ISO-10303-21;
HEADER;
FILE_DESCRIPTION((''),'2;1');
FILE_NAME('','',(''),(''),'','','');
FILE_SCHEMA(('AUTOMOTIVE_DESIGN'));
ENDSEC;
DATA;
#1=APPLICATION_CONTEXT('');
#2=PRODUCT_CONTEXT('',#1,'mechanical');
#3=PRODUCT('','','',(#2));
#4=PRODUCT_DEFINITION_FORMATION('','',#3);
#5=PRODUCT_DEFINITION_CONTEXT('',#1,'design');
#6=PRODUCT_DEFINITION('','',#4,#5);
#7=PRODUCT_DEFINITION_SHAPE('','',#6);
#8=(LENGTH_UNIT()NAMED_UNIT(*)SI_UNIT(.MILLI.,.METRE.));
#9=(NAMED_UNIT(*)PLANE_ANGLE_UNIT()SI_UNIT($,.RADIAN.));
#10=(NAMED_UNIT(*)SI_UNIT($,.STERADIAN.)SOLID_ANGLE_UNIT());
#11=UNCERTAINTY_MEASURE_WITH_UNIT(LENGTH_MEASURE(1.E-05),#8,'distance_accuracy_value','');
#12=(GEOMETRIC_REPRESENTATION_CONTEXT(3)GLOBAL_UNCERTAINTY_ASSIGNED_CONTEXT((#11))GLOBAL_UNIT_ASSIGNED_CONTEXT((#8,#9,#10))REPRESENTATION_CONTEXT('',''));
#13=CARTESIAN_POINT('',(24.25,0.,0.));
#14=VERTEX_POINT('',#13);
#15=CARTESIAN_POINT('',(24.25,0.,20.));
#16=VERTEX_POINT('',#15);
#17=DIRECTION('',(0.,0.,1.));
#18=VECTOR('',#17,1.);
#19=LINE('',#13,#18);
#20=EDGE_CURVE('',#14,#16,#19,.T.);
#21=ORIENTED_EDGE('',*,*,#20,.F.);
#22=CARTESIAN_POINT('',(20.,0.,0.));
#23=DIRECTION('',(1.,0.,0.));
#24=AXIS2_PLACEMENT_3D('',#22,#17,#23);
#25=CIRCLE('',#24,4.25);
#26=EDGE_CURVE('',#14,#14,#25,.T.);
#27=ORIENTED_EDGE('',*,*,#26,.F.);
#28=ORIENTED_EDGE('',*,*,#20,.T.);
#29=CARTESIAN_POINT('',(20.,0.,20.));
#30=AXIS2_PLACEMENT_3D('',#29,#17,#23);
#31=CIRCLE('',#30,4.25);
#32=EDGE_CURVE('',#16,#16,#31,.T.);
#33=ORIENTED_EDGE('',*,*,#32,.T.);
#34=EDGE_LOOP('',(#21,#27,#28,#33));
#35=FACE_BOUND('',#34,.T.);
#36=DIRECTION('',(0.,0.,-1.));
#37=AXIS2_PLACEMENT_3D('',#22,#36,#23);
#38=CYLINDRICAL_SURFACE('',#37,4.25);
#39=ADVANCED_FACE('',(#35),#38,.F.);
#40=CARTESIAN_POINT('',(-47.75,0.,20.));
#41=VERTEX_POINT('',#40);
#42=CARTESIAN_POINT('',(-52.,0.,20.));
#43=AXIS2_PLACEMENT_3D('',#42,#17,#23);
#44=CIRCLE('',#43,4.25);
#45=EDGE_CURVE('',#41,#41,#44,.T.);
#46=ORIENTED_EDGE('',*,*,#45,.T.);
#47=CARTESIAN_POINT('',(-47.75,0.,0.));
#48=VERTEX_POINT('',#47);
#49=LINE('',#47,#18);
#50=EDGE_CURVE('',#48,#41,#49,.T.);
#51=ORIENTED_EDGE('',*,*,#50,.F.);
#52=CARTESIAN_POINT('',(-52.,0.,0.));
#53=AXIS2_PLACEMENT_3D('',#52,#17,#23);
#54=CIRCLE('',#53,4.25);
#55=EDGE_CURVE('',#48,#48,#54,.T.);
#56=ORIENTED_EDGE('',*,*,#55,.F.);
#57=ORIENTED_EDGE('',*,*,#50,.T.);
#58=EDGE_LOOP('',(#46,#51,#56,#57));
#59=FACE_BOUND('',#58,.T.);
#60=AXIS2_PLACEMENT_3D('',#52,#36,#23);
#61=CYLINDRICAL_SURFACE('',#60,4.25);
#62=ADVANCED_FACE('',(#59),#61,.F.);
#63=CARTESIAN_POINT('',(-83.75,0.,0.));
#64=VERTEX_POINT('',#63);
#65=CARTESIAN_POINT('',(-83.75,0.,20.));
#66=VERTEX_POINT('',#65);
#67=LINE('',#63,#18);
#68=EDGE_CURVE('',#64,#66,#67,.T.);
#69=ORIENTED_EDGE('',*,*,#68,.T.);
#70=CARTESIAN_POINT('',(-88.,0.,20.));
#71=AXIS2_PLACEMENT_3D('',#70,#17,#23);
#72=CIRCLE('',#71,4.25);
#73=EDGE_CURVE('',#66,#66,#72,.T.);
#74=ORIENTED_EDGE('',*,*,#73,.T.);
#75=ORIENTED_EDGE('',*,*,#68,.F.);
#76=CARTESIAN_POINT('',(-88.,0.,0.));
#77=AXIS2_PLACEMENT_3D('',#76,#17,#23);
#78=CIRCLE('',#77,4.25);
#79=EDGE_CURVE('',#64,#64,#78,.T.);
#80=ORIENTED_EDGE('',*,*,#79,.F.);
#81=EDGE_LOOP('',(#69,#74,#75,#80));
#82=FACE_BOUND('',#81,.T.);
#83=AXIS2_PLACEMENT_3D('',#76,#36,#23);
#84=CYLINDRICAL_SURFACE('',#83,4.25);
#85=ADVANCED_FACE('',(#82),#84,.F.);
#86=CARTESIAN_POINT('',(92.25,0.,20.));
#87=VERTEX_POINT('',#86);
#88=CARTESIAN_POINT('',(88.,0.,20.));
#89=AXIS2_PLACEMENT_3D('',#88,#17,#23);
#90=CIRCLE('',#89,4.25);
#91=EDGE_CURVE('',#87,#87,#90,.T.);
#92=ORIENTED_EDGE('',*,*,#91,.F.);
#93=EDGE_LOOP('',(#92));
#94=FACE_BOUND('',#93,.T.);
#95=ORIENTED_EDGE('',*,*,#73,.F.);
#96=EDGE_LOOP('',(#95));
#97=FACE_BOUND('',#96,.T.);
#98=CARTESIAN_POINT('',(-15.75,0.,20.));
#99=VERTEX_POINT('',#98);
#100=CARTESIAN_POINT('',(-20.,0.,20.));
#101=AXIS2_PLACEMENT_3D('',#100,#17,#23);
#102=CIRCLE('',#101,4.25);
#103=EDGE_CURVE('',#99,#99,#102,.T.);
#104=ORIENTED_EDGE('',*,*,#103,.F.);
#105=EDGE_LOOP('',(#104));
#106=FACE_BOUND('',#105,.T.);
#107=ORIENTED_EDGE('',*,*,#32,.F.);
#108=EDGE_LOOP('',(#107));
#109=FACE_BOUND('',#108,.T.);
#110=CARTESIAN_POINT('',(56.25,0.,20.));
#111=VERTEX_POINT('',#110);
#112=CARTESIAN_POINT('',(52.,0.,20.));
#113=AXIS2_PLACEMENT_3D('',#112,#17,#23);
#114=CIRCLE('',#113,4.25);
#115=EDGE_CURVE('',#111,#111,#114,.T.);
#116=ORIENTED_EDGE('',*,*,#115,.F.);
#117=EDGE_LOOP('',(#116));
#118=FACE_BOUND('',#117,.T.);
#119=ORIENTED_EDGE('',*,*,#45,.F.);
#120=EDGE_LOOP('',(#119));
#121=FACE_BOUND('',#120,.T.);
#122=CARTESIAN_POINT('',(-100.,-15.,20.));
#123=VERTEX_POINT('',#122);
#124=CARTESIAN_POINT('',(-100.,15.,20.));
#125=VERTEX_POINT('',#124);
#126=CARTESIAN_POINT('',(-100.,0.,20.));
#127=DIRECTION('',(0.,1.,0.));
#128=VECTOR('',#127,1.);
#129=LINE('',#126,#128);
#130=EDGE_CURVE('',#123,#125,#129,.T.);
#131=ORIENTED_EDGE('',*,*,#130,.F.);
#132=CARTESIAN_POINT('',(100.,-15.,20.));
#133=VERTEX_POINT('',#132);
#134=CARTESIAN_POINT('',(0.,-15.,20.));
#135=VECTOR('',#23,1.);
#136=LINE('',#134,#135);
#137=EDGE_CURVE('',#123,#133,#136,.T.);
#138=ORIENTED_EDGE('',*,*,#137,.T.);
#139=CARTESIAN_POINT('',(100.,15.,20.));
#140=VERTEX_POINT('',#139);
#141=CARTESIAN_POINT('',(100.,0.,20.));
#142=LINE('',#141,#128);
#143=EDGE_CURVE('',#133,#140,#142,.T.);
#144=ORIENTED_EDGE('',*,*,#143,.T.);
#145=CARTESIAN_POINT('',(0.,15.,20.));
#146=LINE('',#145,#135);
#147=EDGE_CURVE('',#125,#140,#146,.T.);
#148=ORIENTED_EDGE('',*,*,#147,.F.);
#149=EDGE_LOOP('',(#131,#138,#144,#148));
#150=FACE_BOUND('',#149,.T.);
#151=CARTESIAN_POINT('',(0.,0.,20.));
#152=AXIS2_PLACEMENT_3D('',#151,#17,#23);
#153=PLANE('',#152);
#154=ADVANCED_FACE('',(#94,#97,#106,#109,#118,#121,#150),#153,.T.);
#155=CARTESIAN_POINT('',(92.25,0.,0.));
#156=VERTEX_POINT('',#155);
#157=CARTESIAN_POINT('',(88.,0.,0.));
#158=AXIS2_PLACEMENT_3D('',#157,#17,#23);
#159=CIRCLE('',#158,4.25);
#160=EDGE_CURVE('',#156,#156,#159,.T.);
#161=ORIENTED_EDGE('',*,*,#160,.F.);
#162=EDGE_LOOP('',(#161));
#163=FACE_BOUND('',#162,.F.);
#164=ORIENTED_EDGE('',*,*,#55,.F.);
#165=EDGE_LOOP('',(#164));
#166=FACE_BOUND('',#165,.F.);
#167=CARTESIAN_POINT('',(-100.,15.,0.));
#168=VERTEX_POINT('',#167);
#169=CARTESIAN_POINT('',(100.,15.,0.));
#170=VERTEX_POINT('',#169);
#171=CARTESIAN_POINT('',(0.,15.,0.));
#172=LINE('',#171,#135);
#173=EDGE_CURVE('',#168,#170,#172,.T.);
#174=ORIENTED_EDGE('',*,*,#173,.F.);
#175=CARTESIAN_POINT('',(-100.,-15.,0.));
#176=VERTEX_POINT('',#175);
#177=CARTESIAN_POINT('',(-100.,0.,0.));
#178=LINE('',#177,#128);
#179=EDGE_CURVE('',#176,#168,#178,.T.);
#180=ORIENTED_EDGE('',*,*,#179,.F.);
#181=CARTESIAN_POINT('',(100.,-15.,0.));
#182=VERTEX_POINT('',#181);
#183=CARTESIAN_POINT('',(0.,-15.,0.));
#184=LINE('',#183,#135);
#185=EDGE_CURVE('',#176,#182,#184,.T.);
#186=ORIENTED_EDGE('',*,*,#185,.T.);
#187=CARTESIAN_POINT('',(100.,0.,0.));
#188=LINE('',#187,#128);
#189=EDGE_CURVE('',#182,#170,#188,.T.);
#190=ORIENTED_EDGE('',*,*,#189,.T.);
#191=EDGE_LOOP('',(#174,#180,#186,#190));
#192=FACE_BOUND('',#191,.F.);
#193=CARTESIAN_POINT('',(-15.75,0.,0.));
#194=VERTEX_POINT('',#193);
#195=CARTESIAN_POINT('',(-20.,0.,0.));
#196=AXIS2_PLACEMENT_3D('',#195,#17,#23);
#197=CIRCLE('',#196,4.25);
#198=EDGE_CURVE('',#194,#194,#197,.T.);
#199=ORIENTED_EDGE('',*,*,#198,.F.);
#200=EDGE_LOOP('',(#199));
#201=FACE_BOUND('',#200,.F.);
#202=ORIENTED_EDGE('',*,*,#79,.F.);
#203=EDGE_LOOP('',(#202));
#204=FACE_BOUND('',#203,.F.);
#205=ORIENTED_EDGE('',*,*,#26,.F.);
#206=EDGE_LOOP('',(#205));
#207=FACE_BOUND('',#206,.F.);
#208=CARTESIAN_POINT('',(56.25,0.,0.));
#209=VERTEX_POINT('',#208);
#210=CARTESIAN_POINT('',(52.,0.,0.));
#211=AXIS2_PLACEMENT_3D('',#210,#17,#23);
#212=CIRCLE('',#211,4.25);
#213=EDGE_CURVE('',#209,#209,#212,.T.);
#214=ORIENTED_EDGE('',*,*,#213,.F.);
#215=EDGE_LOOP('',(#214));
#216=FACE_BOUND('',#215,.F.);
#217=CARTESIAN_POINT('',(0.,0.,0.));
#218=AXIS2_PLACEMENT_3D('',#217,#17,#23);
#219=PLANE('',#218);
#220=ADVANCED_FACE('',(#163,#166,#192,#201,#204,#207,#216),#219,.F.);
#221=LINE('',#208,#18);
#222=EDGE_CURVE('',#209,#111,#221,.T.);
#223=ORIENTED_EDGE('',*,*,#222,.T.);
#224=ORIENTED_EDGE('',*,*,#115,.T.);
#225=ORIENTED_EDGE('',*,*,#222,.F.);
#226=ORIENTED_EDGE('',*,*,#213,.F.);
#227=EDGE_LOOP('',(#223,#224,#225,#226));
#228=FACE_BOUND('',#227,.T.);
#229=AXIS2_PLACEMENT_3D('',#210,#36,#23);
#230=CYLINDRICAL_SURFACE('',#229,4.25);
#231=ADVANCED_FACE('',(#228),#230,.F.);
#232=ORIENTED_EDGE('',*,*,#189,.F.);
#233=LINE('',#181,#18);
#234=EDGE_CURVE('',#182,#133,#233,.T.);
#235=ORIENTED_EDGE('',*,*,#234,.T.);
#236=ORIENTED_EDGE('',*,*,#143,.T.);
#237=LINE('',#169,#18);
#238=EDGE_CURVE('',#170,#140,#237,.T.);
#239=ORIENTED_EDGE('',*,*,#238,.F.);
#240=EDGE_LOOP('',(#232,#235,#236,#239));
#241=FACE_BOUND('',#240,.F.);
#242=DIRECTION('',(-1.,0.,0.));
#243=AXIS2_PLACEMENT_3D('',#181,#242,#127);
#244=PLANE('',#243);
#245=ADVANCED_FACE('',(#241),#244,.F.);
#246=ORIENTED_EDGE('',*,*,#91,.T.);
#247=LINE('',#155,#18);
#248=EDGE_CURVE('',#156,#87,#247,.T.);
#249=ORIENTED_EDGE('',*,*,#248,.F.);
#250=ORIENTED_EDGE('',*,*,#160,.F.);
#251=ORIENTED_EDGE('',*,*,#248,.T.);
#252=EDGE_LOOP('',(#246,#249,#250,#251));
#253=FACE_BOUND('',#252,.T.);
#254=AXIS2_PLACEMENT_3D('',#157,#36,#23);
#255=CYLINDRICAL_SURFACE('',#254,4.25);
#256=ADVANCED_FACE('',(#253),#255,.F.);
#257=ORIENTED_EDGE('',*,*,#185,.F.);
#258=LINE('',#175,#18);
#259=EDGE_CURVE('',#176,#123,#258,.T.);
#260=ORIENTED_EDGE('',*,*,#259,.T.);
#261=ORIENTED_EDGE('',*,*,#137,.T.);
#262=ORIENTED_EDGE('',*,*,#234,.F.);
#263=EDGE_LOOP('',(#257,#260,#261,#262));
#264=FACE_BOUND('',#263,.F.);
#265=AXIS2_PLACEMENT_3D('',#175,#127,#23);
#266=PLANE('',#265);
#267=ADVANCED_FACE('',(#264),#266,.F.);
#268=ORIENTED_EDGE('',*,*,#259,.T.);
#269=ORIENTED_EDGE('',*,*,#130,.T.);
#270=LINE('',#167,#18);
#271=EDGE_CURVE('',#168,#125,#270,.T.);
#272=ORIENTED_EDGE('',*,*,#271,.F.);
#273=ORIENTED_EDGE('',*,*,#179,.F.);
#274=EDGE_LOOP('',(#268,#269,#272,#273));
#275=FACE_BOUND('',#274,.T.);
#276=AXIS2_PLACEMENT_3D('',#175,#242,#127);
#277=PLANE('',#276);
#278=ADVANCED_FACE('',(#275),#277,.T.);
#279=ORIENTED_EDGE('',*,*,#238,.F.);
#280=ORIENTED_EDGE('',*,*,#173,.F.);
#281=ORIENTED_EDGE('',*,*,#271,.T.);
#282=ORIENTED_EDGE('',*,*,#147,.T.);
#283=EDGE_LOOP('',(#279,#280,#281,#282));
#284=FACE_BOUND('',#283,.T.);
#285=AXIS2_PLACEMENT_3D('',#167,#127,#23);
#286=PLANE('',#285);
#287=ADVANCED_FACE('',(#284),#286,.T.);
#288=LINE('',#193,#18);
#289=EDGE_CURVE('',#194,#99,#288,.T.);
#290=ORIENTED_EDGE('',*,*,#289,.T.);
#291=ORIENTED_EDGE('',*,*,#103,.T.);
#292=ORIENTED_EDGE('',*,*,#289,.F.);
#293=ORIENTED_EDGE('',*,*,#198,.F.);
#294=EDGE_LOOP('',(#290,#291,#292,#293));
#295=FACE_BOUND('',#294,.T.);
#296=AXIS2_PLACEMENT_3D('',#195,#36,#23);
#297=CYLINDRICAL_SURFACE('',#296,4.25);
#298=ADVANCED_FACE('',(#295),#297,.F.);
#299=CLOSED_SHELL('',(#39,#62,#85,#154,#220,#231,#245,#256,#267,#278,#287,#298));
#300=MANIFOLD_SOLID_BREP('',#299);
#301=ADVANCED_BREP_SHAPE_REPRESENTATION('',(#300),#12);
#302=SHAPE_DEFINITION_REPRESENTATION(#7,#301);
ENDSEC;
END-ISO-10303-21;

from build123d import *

# Parameters (mm, degrees)
F0_W     = 200
F0_H     = 30
F0_R     = 4.25
F1_DEPTH = 20


with BuildPart() as f1:
    # F0 (on Top) → F1 (new body)
    with BuildSketch(Plane.XY):
        Rectangle(F0_W, F0_H)
        with Locations((-88, 0)):
            Circle(F0_R, mode=Mode.SUBTRACT)
        with Locations((-52, 0)):
            Circle(F0_R, mode=Mode.SUBTRACT)
        with Locations((-20, 0)):
            Circle(F0_R, mode=Mode.SUBTRACT)
        with Locations((20, 0)):
            Circle(F0_R, mode=Mode.SUBTRACT)
        with Locations((52, 0)):
            Circle(F0_R, mode=Mode.SUBTRACT)
        with Locations((88, 0)):
            Circle(F0_R, mode=Mode.SUBTRACT)
    extrude(amount=F1_DEPTH)


solid = f1.part
